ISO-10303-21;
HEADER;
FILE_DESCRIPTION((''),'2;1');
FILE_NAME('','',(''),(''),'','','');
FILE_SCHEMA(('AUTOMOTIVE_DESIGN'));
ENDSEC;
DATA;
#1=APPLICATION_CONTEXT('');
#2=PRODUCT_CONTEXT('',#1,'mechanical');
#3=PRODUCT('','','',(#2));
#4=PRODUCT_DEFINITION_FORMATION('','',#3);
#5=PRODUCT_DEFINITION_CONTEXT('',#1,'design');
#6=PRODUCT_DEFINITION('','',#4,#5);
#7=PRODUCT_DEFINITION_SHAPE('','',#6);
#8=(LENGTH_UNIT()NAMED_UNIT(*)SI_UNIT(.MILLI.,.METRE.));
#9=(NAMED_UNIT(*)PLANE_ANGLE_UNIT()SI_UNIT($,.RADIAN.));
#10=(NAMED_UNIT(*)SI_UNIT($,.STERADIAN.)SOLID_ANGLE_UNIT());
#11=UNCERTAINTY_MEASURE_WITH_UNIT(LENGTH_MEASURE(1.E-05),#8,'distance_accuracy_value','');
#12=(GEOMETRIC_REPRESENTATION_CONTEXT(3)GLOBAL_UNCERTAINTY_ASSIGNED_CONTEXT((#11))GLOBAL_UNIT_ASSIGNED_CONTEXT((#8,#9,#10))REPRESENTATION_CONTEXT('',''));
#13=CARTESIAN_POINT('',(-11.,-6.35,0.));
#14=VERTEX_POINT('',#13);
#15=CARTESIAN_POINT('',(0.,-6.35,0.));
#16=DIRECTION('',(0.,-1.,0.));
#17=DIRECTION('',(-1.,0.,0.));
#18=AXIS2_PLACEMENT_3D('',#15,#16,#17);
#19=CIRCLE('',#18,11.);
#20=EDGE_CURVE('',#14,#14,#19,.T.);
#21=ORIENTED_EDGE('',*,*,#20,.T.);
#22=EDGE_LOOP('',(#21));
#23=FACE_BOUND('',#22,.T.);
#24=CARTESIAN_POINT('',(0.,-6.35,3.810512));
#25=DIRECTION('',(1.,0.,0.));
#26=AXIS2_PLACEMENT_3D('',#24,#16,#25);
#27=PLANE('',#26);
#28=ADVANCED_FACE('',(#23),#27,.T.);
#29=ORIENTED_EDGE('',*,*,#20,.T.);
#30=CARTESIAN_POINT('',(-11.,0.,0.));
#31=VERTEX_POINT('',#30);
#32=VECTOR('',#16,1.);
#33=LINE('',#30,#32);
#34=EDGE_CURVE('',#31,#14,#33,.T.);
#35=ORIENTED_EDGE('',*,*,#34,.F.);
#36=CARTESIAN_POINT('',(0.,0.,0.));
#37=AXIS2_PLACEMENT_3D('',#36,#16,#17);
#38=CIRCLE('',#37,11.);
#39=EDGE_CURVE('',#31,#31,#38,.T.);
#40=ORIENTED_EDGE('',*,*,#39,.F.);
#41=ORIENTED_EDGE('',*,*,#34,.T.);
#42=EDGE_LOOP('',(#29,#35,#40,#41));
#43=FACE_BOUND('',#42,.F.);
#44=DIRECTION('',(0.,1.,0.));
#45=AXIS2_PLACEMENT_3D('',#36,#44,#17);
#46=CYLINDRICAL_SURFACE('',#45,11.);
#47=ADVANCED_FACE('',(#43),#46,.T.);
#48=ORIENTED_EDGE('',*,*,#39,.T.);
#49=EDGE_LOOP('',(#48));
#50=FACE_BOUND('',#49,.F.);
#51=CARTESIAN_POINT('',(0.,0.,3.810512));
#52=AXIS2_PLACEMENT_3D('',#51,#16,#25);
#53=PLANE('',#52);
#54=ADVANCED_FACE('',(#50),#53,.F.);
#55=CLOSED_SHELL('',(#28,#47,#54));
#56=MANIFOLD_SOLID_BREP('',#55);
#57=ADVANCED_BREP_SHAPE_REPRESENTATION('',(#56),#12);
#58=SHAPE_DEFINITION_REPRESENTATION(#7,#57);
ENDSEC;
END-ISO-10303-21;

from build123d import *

# Parameters (mm, degrees)
F1_DEPTH = 6.35


with BuildPart() as f1:
    # F0 (on Front) → F1 (new body)
    with BuildSketch(Plane.XZ):
        with BuildLine():
            Line((-11, 0), (11, 0))
            ThreePointArc((11, 0), (0, 11), (-11, 0))
        make_face()
        with BuildLine():
            ThreePointArc((-11, 0), (0, -11), (11, 0))
            Line((11, 0), (-11, 0))
        make_face()
    extrude(amount=F1_DEPTH)


solid = f1.part
